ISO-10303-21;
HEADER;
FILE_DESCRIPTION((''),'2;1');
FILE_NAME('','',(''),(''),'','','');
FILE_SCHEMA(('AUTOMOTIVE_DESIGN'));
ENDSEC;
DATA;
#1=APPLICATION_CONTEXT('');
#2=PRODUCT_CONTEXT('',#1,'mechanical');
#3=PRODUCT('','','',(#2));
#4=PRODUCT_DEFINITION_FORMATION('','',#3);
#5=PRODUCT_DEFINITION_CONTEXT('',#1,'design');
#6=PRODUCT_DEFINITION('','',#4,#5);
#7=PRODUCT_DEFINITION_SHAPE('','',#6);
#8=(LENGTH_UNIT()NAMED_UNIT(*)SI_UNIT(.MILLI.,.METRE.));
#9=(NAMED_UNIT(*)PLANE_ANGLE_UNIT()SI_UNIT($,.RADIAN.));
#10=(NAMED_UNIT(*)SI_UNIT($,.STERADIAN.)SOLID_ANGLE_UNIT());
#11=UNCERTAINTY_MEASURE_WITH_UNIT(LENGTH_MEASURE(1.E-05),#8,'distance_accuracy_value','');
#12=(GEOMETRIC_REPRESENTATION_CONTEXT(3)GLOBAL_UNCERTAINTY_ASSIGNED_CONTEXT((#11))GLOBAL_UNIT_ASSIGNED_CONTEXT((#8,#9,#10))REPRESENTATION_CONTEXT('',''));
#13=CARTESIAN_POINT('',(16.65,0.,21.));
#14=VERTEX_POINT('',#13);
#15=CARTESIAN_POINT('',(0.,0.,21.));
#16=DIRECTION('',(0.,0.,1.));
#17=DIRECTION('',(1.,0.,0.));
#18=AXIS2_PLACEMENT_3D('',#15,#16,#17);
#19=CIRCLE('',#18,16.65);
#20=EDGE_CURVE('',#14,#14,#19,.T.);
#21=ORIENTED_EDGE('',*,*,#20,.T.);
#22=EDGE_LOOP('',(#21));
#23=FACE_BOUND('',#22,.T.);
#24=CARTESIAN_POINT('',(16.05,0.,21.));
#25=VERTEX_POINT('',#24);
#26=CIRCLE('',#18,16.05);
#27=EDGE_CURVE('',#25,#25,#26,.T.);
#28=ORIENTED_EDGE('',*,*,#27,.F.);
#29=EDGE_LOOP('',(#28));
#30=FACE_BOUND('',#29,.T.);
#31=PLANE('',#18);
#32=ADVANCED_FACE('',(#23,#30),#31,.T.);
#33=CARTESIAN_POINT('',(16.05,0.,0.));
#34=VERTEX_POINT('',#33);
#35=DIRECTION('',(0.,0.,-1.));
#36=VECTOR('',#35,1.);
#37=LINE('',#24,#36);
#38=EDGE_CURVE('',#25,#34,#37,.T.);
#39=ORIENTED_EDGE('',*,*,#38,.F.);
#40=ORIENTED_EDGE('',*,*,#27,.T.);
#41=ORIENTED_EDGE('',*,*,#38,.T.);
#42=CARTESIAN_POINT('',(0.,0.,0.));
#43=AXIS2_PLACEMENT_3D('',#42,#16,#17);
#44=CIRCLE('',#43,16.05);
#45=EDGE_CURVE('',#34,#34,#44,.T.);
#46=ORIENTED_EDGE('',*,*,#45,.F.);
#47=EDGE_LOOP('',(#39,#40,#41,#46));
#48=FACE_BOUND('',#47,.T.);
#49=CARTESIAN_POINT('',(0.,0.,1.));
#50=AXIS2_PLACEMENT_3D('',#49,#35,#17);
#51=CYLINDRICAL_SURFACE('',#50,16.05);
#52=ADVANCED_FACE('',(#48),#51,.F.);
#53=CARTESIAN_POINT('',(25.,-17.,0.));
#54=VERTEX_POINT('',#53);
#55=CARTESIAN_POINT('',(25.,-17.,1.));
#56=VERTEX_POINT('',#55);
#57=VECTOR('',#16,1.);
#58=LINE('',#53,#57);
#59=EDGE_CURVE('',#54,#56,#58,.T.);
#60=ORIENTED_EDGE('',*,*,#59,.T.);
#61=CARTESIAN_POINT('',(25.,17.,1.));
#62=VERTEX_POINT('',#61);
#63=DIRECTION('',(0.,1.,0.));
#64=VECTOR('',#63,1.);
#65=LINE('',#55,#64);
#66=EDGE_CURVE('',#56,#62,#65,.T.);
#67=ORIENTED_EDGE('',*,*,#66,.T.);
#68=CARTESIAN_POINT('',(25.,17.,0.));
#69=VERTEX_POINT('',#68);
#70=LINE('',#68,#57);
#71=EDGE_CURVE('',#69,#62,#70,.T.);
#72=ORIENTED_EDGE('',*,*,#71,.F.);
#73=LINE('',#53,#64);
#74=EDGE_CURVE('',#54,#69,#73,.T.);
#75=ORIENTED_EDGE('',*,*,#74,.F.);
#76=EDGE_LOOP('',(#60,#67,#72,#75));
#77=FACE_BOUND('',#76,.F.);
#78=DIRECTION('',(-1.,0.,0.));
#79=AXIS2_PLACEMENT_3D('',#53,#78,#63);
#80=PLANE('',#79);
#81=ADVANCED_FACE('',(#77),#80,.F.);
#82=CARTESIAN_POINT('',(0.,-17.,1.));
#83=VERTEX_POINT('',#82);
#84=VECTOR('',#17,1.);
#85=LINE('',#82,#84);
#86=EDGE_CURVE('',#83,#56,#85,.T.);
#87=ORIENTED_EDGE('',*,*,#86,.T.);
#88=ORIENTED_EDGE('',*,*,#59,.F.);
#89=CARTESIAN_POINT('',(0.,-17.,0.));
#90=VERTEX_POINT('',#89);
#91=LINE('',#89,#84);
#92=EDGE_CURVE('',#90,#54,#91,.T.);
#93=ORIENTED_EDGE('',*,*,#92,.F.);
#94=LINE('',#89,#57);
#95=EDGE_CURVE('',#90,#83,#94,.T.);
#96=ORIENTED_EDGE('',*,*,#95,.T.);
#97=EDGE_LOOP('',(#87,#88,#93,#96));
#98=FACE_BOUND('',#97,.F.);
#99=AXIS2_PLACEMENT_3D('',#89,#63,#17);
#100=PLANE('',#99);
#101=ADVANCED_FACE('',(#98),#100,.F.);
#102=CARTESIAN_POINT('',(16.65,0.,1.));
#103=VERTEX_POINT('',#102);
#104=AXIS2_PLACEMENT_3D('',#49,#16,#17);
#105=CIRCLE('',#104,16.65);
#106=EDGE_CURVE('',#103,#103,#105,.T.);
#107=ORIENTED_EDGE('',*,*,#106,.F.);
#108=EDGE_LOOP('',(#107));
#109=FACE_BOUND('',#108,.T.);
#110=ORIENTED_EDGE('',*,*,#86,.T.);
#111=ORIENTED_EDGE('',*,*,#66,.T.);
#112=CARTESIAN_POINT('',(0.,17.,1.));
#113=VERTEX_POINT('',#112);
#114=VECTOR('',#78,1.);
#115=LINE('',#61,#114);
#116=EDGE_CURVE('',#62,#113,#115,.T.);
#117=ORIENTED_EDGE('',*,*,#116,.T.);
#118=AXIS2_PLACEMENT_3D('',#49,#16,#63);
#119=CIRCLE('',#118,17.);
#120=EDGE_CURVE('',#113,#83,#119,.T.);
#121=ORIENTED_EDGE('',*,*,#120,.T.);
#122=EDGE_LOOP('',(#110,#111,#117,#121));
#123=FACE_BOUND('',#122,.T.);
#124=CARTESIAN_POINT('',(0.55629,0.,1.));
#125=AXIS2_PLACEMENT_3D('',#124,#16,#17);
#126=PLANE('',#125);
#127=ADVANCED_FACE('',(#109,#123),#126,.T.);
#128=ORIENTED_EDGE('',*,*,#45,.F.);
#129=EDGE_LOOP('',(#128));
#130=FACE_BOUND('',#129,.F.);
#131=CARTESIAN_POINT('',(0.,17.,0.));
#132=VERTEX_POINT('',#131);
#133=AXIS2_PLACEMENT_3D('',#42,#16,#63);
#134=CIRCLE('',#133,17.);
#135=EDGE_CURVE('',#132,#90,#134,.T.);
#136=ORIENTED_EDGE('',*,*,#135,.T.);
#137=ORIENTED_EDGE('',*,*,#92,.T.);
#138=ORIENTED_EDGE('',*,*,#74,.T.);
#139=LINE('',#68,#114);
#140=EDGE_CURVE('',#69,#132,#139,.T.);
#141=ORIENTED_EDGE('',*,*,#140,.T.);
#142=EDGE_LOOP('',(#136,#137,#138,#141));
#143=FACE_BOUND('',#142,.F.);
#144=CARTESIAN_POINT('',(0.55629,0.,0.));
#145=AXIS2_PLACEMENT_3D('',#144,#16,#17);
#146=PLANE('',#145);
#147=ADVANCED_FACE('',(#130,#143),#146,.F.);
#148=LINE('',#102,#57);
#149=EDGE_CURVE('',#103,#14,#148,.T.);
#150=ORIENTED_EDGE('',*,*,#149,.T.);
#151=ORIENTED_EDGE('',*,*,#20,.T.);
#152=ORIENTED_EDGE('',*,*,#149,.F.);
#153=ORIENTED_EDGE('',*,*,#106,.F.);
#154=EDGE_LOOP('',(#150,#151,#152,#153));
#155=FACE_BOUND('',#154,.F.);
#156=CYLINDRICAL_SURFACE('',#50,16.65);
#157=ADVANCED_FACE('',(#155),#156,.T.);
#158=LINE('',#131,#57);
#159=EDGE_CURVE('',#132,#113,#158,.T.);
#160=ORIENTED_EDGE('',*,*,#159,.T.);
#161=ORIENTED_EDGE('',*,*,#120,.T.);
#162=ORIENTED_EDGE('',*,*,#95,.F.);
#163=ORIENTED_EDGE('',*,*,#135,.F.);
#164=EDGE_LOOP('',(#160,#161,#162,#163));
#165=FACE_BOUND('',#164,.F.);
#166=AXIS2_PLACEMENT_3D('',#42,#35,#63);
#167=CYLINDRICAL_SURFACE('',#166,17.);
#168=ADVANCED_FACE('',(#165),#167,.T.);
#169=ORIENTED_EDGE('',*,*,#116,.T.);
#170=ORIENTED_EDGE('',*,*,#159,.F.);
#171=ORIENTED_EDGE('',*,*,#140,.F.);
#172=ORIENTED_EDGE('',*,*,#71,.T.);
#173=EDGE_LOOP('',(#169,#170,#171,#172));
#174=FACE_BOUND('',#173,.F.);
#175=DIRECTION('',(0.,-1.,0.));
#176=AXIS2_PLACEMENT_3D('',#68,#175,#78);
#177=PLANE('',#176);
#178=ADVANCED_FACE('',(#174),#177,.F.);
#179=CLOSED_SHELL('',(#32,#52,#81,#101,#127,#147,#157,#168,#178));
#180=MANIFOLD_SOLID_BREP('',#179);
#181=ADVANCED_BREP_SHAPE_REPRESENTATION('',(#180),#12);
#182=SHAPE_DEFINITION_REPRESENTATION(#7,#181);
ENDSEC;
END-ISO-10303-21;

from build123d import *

# Parameters (mm, degrees)
F0_R     = 16.05
F1_DEPTH = 1
F2_R     = 16.65
F2_R_2   = 16.05
F3_DEPTH = 20


with BuildPart() as f1:
    # F0 (on Top) → F1 (new body)
    with BuildSketch(Plane.XY):
        with BuildLine():
            ThreePointArc((0, -17), (12.020815, -12.020815), (17, 0))
            ThreePointArc((17, 0), (12.020815, 12.020815), (0, 17))
            ThreePointArc((0, 17), (-17, 0), (0, -17))
        make_face()
        Circle(F0_R, mode=Mode.SUBTRACT)
        with BuildLine():
            ThreePointArc((0, 17), (12.020815, 12.020815), (17, 0))
            ThreePointArc((17, 0), (12.020815, -12.020815), (0, -17))
            Line((0, -17), (25, -17))
            Line((25, -17), (25, 17))
            Line((25, 17), (0, 17))
        make_face()
    extrude(amount=F1_DEPTH)

    # F2 (on face) → F3 (join)
    with BuildSketch(Plane.XY.offset(1)):
        Circle(F2_R)
        Circle(F2_R_2, mode=Mode.SUBTRACT)
    extrude(amount=F3_DEPTH)


solid = f1.part
